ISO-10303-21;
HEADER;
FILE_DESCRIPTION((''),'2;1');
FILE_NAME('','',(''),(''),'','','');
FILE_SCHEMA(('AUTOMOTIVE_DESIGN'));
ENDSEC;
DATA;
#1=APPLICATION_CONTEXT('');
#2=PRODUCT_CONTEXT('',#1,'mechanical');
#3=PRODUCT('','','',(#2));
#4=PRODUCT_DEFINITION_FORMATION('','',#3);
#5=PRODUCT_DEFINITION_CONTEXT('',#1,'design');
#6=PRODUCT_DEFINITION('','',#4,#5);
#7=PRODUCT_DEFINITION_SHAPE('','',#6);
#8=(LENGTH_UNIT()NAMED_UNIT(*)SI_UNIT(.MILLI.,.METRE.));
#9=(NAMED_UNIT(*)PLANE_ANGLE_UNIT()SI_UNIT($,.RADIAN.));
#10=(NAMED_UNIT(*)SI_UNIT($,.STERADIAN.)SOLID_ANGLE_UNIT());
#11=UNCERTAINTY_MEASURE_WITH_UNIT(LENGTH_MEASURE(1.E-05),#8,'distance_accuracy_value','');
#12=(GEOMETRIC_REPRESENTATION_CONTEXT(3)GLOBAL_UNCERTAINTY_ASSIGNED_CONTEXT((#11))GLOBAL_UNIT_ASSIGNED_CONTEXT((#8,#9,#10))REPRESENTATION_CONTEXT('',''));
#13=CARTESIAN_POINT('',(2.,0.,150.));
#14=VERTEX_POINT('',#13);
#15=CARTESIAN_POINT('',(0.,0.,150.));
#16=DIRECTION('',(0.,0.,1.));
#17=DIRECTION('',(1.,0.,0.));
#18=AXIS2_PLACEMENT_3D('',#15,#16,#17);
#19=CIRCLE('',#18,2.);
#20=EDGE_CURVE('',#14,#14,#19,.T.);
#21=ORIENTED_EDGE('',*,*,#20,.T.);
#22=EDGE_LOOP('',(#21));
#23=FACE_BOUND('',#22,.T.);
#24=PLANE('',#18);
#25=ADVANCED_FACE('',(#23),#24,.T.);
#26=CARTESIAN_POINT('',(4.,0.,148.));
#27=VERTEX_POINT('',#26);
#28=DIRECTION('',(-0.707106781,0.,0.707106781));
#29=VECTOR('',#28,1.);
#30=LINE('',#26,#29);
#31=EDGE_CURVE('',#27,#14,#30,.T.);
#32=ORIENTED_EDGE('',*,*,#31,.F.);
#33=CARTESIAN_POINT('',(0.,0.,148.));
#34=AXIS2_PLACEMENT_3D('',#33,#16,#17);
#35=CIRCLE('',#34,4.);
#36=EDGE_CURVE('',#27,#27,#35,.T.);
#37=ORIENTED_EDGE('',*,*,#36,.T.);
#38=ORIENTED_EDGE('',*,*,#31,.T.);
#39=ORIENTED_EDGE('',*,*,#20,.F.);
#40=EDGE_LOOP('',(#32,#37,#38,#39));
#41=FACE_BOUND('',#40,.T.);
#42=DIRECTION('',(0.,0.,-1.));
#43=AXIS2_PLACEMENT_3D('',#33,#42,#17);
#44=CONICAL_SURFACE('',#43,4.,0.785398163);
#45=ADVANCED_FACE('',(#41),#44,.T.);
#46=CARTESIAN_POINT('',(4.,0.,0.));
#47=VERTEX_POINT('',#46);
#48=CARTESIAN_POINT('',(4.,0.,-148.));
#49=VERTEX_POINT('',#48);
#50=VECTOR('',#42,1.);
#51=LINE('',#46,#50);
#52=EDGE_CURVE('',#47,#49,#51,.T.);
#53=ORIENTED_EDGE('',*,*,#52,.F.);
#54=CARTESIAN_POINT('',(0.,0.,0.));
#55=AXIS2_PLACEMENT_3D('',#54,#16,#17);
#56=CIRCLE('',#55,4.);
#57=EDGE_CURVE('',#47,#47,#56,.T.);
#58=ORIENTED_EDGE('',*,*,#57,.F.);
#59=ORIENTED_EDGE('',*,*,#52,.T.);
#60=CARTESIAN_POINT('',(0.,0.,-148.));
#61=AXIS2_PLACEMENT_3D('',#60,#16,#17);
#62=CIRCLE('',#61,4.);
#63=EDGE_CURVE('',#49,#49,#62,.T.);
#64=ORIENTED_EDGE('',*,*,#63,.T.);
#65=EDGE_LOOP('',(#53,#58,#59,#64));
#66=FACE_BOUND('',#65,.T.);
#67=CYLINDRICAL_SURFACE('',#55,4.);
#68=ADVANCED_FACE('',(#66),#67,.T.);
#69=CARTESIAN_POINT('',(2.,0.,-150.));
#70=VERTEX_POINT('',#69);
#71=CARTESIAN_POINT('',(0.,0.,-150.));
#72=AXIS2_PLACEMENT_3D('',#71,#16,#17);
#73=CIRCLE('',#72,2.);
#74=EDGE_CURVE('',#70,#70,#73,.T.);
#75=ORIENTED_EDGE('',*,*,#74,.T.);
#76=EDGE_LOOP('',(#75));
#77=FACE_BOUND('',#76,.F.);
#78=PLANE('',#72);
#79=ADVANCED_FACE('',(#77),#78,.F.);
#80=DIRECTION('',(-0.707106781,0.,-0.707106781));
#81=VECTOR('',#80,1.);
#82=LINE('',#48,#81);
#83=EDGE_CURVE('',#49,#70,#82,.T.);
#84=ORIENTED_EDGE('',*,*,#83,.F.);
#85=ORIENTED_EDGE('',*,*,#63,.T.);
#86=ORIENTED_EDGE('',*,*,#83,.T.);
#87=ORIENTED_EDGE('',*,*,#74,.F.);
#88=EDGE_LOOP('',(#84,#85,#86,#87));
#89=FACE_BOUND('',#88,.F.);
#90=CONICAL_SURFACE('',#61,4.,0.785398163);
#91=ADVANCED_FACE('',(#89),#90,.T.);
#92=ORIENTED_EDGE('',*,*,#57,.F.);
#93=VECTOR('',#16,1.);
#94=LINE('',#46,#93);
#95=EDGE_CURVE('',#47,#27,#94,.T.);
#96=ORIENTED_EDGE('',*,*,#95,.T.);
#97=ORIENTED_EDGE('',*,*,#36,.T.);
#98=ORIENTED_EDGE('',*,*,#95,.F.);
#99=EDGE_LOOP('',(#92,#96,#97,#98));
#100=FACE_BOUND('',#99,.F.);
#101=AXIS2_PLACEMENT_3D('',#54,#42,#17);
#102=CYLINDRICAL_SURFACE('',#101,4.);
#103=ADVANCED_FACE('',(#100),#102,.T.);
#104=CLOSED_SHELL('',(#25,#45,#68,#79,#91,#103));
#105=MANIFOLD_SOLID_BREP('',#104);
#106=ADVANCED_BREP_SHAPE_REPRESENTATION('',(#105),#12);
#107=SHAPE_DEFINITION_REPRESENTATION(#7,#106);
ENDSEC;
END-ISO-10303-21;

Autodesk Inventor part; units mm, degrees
ref_plane "YZ Plane" through (0, 0, 0) normal (1, 0, 0) x (0, 1, 0)
ref_plane "XZ Plane" through (0, 0, 0) normal (0, 1, 0) x (-1, 0, 0)
ref_plane "XY Plane" through (0, 0, 0) normal (0, 0, 1) x (1, 0, 0)
sketch "Sketch1" plane through (0, 0, 0) normal (0, 0, 1) x (1, 0, 0)
  circle A0 centre (0, 0) radius 4
  dimension "d0" = 8
extrude "Extrusion1" add sketch "Sketch1" along normal mid plane 300
thread "Thread1" size "M6x1" class "6g" standard "ANSI Metric M Profile" full length
chamfer "Chamfer1" distance 2 angle 45 2 edges at (-4, 0, 150) (-4, 0, -150)
properties part number "eixo_trapesoidal_001"
